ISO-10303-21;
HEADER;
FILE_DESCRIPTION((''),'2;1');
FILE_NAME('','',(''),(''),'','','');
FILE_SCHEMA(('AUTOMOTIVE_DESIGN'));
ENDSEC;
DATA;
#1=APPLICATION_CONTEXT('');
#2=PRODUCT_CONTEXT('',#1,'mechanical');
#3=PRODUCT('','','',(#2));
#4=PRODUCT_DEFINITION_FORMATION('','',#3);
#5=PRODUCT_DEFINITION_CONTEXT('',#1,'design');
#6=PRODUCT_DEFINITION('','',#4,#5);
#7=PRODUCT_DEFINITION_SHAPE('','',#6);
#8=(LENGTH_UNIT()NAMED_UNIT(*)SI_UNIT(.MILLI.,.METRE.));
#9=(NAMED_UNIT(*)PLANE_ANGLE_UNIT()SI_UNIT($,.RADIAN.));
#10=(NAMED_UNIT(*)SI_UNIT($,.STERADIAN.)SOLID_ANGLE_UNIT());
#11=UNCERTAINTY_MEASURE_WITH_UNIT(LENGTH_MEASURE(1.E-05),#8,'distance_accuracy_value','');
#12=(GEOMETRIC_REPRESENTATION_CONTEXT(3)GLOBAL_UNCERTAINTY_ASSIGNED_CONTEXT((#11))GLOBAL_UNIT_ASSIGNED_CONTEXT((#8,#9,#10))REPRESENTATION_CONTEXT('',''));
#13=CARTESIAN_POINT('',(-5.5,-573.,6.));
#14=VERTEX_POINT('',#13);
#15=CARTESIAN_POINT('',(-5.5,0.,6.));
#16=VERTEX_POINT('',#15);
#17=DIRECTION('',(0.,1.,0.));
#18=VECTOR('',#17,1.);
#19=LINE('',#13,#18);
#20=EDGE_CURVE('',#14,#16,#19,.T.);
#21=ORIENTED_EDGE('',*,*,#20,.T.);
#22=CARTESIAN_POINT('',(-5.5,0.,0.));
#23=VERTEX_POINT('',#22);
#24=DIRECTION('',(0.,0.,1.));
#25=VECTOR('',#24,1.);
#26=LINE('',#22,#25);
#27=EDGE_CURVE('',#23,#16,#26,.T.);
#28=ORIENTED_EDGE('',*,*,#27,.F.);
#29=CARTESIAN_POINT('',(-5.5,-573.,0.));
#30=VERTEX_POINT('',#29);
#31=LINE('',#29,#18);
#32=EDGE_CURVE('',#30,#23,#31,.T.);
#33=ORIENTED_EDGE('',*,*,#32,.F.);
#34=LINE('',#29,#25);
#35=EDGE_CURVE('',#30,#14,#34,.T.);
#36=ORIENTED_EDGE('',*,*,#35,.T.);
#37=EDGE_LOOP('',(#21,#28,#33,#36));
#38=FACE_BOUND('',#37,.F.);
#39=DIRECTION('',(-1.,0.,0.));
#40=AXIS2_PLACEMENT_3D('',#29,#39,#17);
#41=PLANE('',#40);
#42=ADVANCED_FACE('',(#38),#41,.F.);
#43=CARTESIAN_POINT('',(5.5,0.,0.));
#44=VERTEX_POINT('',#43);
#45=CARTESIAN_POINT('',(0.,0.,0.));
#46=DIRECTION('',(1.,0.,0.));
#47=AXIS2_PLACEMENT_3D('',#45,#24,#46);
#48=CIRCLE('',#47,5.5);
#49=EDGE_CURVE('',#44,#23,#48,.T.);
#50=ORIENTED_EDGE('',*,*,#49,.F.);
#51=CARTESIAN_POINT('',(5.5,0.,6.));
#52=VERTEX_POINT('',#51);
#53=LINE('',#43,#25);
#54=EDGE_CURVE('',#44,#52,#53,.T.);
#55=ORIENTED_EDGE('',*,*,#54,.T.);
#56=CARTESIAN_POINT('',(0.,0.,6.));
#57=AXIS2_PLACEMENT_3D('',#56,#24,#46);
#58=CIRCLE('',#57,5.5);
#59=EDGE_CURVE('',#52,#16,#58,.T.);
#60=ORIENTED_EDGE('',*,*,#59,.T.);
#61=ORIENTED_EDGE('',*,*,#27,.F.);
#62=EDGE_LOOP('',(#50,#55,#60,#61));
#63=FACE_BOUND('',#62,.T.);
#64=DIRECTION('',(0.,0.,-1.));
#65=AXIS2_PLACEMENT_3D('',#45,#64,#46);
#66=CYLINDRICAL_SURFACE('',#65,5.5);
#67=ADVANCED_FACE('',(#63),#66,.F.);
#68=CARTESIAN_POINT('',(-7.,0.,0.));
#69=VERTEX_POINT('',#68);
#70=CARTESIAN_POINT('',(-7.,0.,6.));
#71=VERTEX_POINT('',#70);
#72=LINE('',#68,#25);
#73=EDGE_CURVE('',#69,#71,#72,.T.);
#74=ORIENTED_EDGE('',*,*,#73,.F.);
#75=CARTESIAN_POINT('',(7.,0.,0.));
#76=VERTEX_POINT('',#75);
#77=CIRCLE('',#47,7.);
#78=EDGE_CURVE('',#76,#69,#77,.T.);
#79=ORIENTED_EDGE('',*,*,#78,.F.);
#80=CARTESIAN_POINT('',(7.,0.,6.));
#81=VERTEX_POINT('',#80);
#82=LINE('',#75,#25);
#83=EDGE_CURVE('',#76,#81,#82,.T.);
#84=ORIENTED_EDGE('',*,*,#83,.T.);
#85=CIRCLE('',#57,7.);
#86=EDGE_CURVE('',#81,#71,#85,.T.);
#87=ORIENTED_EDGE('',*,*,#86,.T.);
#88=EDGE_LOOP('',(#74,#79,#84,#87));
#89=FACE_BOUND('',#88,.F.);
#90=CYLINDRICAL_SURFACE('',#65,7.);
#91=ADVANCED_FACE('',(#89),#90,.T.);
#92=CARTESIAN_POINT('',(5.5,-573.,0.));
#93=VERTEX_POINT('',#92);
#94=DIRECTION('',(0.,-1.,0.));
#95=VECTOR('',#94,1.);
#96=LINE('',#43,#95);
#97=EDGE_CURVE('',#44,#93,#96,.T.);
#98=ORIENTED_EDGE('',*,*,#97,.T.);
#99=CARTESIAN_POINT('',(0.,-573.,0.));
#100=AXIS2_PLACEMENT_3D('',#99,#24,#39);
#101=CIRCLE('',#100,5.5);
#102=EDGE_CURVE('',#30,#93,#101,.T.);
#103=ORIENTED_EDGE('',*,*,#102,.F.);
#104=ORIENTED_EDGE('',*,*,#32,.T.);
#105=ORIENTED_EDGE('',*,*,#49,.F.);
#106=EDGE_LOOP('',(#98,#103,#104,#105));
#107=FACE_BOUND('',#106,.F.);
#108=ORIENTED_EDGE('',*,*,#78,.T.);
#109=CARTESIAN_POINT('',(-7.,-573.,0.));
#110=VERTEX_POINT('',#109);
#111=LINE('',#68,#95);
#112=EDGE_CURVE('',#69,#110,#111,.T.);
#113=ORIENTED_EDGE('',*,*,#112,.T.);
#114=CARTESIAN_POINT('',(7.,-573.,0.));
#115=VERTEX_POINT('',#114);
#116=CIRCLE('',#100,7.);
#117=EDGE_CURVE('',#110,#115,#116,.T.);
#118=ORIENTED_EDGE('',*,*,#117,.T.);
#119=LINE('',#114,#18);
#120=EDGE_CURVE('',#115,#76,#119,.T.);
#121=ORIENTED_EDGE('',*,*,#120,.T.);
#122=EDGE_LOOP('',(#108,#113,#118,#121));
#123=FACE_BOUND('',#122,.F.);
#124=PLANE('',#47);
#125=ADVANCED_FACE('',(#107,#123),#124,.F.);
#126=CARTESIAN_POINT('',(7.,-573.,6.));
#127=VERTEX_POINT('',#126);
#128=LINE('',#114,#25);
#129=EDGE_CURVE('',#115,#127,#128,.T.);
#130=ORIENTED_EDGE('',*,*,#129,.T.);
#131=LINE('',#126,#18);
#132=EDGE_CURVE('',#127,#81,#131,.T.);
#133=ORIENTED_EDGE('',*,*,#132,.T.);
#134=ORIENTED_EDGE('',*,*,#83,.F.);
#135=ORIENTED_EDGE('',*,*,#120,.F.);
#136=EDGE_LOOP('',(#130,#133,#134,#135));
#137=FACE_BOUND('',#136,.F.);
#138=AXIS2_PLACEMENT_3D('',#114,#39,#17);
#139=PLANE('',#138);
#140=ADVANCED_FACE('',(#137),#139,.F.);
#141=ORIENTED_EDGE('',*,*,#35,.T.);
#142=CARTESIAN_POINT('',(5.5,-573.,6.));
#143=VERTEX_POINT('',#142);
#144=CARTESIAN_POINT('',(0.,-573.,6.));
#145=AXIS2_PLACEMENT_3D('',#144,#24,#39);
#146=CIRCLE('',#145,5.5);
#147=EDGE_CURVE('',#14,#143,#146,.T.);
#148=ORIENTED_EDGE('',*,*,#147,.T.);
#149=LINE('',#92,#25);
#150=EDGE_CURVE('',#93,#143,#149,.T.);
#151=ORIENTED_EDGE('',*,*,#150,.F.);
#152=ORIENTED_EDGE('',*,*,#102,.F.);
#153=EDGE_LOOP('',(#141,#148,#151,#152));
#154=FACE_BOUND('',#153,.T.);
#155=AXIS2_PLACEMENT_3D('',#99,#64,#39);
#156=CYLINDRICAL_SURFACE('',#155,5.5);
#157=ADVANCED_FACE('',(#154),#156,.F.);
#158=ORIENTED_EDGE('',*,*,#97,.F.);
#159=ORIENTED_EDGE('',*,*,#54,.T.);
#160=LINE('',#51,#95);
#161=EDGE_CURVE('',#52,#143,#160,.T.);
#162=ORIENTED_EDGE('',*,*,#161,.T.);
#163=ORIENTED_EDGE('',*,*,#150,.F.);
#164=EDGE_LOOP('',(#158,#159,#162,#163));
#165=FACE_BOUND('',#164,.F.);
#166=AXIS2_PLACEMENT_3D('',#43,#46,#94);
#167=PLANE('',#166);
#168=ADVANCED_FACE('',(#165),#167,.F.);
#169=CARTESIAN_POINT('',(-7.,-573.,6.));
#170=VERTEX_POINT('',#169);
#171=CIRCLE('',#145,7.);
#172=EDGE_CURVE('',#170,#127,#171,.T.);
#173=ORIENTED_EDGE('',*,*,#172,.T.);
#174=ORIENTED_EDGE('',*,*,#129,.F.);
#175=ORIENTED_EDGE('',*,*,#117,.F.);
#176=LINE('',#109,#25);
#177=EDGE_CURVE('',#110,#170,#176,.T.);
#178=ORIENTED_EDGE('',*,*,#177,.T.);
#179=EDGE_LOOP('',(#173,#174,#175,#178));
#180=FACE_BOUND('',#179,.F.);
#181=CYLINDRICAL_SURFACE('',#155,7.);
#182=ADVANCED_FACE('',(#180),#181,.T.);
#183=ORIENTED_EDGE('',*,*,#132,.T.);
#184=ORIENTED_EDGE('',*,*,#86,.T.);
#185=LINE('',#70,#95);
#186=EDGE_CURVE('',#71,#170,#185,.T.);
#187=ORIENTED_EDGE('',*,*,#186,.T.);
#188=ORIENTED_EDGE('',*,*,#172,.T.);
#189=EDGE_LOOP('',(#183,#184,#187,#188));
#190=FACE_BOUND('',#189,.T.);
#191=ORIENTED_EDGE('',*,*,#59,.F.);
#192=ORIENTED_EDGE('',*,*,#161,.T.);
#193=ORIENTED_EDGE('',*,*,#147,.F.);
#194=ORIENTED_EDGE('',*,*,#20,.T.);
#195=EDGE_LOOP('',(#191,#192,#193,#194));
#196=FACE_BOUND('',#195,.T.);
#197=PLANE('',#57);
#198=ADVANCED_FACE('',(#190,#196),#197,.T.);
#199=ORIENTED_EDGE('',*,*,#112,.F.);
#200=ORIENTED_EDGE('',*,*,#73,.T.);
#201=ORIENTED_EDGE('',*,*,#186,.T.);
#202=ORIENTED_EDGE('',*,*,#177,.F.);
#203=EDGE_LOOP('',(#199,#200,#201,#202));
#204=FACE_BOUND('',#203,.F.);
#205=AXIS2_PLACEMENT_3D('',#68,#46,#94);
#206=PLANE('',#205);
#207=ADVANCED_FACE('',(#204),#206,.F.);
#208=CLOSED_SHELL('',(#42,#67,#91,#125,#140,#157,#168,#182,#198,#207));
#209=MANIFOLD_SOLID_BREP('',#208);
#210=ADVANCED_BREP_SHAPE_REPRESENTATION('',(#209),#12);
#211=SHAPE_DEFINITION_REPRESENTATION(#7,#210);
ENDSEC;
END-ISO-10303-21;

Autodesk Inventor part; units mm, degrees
ref_plane "YZ Plane" through (0, 0, 0) normal (1, 0, 0) x (0, 1, 0)
ref_plane "XZ Plane" through (0, 0, 0) normal (0, 1, 0) x (-1, 0, 0)
ref_plane "XY Plane" through (0, 0, 0) normal (0, 0, 1) x (1, 0, 0)
sketch "Sketch1" plane through (0, 0, 0) normal (0, 0, 1) x (1, 0, 0)
  line L0 (0, -573) -> (0, 0) construction
  line L1 (-5.5, -573) -> (-5.5, 0)
  line L2 (5.5, 0) -> (5.5, -573)
  arc A0 (-5.5, -573) -> (5.5, -573) centre (0, -573) ccw
  arc A1 (5.5, 0) -> (-5.5, 0) centre (0, 0) ccw
  line L3 (7, -573) -> (7, 0)
  arc A2 (7, 0) -> (-7, 0) centre (0, 0) ccw
  line L4 (-7, 0) -> (-7, -573)
  arc A3 (-7, -573) -> (7, -573) centre (0, -573) ccw
  circle A4 centre (-0.0376, 0) radius 2.5 projected
  point P0 (0, 0)
  point P1 (0, -286.5)
  dimension "d0" = 1.5
  dimension "d3" = 573
  dimension "d4" = 0
extrude "Extrusion1" add sketch "Sketch1" along normal blind 6 contours A3 L4 A2 L3
properties material "Rubber"
